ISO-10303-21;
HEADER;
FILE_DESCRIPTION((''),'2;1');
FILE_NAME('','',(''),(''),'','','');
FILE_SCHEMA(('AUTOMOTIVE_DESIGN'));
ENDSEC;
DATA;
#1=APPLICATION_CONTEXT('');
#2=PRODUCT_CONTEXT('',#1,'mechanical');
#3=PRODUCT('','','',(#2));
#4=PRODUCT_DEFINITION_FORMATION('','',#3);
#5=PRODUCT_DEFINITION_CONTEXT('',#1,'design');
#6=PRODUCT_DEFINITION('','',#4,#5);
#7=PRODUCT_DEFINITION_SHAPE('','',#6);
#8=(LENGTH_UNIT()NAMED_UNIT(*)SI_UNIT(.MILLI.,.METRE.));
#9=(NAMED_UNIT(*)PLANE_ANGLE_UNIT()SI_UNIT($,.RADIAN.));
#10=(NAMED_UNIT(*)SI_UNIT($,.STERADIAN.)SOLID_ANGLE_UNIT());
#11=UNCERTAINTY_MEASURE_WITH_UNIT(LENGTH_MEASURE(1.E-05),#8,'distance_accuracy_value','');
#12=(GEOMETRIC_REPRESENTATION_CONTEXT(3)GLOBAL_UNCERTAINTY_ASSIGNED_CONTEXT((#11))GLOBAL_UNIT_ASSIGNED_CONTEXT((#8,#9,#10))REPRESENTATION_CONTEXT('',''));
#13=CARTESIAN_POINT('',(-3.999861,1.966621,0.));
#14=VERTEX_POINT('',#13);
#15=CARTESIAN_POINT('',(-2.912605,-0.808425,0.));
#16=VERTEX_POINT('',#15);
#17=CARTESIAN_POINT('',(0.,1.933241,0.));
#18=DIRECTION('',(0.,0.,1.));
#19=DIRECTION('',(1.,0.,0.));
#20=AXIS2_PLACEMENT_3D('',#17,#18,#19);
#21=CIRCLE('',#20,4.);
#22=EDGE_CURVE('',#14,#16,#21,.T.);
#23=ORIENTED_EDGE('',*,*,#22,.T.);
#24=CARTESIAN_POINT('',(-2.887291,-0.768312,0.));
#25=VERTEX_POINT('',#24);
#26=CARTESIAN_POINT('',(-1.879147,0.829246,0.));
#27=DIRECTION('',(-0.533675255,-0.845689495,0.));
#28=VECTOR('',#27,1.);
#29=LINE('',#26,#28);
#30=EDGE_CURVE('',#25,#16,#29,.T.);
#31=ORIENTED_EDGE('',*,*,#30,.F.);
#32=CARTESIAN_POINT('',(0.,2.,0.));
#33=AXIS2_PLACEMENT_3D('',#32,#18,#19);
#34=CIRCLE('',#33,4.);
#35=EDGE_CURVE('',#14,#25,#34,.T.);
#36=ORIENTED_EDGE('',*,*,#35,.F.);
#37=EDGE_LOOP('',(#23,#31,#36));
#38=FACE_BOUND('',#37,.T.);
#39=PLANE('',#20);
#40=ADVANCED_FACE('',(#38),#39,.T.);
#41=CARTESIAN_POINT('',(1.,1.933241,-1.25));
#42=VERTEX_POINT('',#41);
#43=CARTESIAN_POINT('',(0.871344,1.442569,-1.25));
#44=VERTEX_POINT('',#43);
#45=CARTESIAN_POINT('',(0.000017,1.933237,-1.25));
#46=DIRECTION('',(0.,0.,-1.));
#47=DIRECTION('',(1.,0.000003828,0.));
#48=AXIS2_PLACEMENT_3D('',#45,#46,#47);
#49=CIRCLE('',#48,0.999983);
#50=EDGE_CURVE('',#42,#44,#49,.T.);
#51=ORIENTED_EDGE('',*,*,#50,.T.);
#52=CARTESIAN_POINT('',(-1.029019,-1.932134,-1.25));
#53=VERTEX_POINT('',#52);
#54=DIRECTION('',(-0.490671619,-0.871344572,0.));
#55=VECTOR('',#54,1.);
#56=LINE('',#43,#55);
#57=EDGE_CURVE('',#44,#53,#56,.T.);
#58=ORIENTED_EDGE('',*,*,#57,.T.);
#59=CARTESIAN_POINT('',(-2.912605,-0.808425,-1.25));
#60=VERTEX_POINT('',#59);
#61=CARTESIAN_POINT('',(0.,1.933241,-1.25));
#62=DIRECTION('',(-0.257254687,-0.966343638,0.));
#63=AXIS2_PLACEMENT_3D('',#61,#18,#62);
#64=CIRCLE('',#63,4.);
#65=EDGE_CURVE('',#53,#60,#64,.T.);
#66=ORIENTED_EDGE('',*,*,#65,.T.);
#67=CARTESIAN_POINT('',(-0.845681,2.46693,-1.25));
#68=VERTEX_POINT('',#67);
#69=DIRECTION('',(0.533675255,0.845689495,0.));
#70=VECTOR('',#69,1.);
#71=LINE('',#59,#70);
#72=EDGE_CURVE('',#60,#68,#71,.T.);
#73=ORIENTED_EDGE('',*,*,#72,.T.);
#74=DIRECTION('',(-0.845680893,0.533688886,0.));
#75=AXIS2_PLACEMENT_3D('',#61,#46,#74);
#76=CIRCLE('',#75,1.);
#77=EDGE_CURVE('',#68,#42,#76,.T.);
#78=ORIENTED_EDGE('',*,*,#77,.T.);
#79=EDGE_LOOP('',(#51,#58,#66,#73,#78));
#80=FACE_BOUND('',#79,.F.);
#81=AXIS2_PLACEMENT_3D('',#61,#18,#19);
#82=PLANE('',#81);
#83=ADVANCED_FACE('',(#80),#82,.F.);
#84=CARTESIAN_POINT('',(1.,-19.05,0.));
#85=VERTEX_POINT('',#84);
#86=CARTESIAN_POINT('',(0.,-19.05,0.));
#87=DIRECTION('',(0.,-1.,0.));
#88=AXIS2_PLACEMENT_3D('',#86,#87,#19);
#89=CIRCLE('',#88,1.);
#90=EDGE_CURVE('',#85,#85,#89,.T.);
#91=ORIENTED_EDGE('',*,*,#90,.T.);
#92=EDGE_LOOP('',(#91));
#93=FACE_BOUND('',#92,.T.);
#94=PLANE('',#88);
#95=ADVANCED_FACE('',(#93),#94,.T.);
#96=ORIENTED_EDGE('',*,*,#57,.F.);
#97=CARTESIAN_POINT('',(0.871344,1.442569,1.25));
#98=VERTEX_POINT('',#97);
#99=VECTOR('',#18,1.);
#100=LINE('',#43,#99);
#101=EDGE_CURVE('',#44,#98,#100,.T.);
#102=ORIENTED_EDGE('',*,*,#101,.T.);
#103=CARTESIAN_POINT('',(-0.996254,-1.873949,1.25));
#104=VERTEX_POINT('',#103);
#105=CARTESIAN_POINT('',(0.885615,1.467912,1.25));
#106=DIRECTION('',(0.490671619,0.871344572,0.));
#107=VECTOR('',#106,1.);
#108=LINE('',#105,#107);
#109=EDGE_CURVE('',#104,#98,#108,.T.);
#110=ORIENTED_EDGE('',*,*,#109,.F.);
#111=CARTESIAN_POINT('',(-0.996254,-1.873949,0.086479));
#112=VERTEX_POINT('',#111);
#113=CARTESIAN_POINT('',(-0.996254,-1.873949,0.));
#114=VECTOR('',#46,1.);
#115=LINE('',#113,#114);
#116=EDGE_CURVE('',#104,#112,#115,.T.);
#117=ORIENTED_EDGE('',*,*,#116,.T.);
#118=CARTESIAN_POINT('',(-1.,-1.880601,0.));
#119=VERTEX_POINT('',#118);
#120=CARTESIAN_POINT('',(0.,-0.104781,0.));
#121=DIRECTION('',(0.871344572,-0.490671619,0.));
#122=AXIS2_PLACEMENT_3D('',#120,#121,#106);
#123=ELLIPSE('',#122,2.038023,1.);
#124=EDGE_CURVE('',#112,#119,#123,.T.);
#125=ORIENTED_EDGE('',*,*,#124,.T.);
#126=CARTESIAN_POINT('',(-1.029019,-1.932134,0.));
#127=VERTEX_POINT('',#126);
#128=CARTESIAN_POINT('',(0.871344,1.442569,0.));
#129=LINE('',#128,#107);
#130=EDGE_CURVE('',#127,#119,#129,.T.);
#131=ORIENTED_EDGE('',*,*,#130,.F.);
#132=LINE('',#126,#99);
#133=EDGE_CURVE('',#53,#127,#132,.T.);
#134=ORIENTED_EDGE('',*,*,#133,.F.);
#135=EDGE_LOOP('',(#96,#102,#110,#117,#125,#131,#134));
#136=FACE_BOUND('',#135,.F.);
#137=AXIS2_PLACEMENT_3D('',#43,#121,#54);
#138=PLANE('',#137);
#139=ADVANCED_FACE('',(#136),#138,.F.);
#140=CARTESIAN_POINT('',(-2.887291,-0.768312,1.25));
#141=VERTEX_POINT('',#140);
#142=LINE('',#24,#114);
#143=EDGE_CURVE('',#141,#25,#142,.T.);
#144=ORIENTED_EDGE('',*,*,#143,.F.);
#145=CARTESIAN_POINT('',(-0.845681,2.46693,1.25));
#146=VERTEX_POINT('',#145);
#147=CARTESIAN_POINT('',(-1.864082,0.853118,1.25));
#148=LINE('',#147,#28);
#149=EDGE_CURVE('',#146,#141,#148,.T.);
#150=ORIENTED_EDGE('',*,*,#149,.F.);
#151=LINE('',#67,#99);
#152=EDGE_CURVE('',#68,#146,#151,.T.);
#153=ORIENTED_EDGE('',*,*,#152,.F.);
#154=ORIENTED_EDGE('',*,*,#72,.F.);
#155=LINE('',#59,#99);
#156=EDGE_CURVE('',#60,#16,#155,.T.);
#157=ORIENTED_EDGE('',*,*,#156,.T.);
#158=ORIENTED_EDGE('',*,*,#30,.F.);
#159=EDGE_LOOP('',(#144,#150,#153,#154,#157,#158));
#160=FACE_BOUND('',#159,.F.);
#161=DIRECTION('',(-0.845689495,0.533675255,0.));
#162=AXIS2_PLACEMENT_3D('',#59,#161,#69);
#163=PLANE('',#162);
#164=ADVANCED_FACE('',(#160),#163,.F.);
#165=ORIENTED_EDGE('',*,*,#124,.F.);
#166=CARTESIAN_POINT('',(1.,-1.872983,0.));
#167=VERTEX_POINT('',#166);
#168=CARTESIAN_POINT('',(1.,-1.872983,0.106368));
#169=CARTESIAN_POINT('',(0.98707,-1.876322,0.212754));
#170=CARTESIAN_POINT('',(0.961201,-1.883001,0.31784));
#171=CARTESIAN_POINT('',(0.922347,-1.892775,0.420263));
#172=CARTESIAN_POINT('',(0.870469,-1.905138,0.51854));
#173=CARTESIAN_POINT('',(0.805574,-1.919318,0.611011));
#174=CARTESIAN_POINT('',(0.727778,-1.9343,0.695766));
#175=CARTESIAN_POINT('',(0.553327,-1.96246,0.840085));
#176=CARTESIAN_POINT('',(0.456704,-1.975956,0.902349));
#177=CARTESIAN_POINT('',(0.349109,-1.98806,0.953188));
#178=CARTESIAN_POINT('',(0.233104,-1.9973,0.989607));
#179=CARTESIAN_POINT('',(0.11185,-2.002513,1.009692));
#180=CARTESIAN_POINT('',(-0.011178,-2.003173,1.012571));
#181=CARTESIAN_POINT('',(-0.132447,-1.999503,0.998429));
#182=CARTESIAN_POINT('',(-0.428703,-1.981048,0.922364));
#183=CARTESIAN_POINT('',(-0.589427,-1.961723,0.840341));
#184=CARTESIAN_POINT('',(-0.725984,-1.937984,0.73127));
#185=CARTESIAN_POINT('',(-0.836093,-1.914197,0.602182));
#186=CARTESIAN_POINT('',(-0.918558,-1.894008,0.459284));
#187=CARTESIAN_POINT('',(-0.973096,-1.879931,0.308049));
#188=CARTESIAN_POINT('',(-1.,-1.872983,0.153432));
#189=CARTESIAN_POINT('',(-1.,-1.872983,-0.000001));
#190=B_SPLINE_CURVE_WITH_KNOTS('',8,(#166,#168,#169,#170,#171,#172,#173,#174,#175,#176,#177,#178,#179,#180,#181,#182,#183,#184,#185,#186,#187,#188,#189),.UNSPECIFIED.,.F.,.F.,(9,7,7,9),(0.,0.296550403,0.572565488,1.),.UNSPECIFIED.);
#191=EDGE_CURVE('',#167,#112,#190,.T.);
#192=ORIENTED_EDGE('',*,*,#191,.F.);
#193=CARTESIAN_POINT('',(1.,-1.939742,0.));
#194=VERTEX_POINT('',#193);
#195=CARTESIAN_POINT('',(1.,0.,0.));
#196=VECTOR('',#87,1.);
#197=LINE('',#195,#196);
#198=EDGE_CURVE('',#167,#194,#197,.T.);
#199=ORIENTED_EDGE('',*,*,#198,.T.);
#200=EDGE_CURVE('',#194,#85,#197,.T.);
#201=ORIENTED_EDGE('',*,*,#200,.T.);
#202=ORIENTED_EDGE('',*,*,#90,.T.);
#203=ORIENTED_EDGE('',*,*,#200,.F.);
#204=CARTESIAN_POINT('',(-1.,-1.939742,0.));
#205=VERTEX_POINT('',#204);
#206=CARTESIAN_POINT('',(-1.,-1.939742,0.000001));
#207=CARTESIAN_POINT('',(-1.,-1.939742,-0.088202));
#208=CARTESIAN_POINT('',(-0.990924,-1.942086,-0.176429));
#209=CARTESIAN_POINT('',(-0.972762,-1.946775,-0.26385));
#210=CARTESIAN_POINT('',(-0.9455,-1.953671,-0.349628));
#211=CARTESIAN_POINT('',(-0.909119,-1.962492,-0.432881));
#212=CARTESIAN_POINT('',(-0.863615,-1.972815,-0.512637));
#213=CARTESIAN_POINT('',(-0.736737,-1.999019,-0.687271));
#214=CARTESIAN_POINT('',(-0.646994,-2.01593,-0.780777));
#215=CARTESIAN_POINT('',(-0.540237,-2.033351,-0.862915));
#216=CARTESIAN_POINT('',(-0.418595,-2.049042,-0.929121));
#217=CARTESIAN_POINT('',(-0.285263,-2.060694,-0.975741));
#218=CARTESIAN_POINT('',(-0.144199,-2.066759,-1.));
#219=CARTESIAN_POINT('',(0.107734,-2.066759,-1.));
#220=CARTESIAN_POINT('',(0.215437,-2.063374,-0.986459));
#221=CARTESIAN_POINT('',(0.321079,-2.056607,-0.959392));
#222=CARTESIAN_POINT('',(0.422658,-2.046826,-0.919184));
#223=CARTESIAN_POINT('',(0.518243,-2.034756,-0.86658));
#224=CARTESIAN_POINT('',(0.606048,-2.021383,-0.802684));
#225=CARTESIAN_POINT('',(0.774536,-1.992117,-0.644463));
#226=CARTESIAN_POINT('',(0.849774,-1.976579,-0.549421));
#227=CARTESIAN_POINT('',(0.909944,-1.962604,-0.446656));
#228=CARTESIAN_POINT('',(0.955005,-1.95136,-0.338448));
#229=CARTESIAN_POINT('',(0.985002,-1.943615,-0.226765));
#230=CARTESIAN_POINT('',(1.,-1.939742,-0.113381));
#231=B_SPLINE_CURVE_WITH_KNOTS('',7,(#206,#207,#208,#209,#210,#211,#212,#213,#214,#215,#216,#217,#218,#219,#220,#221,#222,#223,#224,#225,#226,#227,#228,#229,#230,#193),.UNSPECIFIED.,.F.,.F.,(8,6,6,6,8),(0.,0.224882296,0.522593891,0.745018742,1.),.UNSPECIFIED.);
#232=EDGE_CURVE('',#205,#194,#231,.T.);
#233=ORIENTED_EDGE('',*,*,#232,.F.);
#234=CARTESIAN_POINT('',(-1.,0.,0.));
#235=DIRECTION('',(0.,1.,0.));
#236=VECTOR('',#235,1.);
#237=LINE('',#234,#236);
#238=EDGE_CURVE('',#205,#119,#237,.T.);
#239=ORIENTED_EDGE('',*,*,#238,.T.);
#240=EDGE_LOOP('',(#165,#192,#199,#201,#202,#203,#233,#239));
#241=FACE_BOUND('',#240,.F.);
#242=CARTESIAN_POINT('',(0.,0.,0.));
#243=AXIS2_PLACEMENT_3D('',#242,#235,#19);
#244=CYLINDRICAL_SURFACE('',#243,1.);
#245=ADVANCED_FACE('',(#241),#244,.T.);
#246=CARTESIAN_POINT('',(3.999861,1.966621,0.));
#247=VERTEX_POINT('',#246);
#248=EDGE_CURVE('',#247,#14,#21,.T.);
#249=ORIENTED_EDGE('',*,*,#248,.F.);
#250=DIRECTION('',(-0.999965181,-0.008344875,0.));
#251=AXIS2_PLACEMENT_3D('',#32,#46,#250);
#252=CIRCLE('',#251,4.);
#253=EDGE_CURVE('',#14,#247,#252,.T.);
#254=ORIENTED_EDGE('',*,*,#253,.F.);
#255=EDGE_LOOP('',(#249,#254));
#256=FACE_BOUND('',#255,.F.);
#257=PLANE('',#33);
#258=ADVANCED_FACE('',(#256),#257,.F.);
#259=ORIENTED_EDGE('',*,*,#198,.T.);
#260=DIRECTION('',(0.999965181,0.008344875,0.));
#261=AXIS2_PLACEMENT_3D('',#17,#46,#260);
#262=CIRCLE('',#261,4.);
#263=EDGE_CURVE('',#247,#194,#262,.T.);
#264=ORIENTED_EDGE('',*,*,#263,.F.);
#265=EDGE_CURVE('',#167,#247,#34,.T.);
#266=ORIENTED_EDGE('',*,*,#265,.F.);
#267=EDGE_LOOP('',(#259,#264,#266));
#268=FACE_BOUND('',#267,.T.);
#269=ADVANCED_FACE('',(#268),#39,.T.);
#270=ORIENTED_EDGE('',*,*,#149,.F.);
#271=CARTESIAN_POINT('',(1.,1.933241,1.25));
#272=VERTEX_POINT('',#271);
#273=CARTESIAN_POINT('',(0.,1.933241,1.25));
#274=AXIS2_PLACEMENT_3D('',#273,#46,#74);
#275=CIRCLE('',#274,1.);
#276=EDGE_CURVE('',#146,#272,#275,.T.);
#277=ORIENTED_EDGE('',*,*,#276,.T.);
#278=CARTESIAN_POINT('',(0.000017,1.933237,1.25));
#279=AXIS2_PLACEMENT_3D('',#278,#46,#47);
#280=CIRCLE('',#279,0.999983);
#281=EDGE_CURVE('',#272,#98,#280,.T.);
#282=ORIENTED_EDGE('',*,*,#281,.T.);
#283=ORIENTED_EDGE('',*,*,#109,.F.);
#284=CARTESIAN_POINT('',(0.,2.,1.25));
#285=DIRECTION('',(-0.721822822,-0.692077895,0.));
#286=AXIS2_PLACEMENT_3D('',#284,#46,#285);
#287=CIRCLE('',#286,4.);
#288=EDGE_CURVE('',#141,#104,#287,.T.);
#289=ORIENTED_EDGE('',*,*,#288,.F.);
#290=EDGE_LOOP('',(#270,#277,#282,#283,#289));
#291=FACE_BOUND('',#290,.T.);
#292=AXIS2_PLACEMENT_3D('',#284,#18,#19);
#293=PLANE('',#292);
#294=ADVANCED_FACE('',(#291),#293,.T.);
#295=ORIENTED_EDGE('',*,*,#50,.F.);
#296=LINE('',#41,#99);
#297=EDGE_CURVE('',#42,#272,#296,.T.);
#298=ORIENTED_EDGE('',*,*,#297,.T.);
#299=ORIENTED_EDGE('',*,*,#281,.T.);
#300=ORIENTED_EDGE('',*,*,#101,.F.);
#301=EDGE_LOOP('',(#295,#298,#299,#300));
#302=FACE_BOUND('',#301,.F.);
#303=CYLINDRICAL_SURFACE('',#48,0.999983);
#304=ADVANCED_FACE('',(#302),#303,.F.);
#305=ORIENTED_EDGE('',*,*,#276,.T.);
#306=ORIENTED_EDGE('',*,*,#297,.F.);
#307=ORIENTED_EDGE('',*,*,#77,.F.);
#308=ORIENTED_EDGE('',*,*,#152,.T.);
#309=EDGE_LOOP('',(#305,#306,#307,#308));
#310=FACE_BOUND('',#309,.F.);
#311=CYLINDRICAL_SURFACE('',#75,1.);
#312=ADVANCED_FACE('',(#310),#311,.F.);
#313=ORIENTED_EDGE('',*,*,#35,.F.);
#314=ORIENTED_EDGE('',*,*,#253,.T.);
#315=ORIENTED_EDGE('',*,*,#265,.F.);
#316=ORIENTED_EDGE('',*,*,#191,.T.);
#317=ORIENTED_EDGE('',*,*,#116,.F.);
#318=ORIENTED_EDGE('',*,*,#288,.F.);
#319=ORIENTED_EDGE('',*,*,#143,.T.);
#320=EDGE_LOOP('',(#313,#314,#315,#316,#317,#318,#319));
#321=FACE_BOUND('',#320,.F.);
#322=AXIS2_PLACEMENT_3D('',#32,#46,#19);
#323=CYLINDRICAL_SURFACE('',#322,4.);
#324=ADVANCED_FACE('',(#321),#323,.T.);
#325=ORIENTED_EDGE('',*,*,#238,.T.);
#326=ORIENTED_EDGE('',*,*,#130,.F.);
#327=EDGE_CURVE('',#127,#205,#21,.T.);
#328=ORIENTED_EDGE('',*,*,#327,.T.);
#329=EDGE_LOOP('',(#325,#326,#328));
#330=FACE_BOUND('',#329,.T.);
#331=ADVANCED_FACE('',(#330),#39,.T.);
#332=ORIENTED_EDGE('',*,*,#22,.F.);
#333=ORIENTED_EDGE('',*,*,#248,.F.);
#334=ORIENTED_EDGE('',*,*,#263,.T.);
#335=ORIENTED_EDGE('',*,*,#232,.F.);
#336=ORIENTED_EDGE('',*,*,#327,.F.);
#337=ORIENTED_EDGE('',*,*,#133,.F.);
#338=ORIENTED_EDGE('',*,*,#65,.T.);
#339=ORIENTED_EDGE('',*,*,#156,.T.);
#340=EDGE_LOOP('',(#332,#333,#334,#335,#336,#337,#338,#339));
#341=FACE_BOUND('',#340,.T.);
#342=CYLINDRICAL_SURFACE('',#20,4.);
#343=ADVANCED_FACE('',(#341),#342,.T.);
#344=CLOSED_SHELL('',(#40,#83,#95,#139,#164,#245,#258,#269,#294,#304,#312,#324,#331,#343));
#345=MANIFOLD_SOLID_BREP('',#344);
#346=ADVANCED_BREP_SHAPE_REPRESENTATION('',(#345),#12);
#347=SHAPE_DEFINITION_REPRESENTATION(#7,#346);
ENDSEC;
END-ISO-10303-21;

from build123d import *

# Parameters (mm, degrees)
F0_R     = 1
F1_DEPTH = 19.05
F2_R     = 4
F3_DEPTH = 1.25
F4_R     = 4
F5_DEPTH = 1.25
F7_DEPTH = 25
F8_DEPTH = 25


with BuildPart() as f1:
    # F0 (on Front) → F1 (new body)
    with BuildSketch(Plane.XZ):
        Circle(F0_R)
    extrude(amount=F1_DEPTH)

    # F2 (on Top) → F3 (join)
    with BuildSketch(Plane.XY):
        with Locations((0, 2)):
            Circle(F2_R)
    extrude(amount=F3_DEPTH)

    # F4 (on Top) → F5 (join)
    with BuildSketch(Plane.XY):
        with Locations((0, 1.933241)):
            Circle(F4_R)
    extrude(amount=-F5_DEPTH)

    # F6 (on face) → F7 (cut)
    with BuildSketch(Plane(origin=(0, 0, -1.25), x_dir=(1, 0, 0), z_dir=(0, 0, -1))):
        with BuildLine():
            ThreePointArc((-0.845681, -2.46693), (0.277776, -2.893887), (1, -1.933241))
            ThreePointArc((1, -1.933241), (0.967302, -1.679612), (0.871344, -1.442569))
            Line((0.871344, -1.442569), (-0.845681, -2.46693))
        make_face()
        with BuildLine():
            Line((-0.845681, -2.46693), (0.871344, -1.442569))
            ThreePointArc((0.871344, -1.442569), (-0.512341, -1.074459), (-0.845681, -2.46693))
        make_face()
    extrude(amount=-F7_DEPTH, mode=Mode.SUBTRACT)

    # F6 (on face) → F8 (cut)
    with BuildSketch(Plane(origin=(0, 0, -1.25), x_dir=(1, 0, 0), z_dir=(0, 0, -1))):
        with BuildLine():
            ThreePointArc((-0.845681, -2.46693), (-0.512341, -1.074459), (0.871344, -1.442569))
            Line((0.871344, -1.442569), (-1.029019, 1.932134))
            ThreePointArc((-1.029019, 1.932134), (-2.049337, 1.501904), (-2.912605, 0.808425))
            Line((-2.912605, 0.808425), (-0.845681, -2.46693))
        make_face()
    extrude(amount=-F8_DEPTH, mode=Mode.SUBTRACT)


solid = f1.part
